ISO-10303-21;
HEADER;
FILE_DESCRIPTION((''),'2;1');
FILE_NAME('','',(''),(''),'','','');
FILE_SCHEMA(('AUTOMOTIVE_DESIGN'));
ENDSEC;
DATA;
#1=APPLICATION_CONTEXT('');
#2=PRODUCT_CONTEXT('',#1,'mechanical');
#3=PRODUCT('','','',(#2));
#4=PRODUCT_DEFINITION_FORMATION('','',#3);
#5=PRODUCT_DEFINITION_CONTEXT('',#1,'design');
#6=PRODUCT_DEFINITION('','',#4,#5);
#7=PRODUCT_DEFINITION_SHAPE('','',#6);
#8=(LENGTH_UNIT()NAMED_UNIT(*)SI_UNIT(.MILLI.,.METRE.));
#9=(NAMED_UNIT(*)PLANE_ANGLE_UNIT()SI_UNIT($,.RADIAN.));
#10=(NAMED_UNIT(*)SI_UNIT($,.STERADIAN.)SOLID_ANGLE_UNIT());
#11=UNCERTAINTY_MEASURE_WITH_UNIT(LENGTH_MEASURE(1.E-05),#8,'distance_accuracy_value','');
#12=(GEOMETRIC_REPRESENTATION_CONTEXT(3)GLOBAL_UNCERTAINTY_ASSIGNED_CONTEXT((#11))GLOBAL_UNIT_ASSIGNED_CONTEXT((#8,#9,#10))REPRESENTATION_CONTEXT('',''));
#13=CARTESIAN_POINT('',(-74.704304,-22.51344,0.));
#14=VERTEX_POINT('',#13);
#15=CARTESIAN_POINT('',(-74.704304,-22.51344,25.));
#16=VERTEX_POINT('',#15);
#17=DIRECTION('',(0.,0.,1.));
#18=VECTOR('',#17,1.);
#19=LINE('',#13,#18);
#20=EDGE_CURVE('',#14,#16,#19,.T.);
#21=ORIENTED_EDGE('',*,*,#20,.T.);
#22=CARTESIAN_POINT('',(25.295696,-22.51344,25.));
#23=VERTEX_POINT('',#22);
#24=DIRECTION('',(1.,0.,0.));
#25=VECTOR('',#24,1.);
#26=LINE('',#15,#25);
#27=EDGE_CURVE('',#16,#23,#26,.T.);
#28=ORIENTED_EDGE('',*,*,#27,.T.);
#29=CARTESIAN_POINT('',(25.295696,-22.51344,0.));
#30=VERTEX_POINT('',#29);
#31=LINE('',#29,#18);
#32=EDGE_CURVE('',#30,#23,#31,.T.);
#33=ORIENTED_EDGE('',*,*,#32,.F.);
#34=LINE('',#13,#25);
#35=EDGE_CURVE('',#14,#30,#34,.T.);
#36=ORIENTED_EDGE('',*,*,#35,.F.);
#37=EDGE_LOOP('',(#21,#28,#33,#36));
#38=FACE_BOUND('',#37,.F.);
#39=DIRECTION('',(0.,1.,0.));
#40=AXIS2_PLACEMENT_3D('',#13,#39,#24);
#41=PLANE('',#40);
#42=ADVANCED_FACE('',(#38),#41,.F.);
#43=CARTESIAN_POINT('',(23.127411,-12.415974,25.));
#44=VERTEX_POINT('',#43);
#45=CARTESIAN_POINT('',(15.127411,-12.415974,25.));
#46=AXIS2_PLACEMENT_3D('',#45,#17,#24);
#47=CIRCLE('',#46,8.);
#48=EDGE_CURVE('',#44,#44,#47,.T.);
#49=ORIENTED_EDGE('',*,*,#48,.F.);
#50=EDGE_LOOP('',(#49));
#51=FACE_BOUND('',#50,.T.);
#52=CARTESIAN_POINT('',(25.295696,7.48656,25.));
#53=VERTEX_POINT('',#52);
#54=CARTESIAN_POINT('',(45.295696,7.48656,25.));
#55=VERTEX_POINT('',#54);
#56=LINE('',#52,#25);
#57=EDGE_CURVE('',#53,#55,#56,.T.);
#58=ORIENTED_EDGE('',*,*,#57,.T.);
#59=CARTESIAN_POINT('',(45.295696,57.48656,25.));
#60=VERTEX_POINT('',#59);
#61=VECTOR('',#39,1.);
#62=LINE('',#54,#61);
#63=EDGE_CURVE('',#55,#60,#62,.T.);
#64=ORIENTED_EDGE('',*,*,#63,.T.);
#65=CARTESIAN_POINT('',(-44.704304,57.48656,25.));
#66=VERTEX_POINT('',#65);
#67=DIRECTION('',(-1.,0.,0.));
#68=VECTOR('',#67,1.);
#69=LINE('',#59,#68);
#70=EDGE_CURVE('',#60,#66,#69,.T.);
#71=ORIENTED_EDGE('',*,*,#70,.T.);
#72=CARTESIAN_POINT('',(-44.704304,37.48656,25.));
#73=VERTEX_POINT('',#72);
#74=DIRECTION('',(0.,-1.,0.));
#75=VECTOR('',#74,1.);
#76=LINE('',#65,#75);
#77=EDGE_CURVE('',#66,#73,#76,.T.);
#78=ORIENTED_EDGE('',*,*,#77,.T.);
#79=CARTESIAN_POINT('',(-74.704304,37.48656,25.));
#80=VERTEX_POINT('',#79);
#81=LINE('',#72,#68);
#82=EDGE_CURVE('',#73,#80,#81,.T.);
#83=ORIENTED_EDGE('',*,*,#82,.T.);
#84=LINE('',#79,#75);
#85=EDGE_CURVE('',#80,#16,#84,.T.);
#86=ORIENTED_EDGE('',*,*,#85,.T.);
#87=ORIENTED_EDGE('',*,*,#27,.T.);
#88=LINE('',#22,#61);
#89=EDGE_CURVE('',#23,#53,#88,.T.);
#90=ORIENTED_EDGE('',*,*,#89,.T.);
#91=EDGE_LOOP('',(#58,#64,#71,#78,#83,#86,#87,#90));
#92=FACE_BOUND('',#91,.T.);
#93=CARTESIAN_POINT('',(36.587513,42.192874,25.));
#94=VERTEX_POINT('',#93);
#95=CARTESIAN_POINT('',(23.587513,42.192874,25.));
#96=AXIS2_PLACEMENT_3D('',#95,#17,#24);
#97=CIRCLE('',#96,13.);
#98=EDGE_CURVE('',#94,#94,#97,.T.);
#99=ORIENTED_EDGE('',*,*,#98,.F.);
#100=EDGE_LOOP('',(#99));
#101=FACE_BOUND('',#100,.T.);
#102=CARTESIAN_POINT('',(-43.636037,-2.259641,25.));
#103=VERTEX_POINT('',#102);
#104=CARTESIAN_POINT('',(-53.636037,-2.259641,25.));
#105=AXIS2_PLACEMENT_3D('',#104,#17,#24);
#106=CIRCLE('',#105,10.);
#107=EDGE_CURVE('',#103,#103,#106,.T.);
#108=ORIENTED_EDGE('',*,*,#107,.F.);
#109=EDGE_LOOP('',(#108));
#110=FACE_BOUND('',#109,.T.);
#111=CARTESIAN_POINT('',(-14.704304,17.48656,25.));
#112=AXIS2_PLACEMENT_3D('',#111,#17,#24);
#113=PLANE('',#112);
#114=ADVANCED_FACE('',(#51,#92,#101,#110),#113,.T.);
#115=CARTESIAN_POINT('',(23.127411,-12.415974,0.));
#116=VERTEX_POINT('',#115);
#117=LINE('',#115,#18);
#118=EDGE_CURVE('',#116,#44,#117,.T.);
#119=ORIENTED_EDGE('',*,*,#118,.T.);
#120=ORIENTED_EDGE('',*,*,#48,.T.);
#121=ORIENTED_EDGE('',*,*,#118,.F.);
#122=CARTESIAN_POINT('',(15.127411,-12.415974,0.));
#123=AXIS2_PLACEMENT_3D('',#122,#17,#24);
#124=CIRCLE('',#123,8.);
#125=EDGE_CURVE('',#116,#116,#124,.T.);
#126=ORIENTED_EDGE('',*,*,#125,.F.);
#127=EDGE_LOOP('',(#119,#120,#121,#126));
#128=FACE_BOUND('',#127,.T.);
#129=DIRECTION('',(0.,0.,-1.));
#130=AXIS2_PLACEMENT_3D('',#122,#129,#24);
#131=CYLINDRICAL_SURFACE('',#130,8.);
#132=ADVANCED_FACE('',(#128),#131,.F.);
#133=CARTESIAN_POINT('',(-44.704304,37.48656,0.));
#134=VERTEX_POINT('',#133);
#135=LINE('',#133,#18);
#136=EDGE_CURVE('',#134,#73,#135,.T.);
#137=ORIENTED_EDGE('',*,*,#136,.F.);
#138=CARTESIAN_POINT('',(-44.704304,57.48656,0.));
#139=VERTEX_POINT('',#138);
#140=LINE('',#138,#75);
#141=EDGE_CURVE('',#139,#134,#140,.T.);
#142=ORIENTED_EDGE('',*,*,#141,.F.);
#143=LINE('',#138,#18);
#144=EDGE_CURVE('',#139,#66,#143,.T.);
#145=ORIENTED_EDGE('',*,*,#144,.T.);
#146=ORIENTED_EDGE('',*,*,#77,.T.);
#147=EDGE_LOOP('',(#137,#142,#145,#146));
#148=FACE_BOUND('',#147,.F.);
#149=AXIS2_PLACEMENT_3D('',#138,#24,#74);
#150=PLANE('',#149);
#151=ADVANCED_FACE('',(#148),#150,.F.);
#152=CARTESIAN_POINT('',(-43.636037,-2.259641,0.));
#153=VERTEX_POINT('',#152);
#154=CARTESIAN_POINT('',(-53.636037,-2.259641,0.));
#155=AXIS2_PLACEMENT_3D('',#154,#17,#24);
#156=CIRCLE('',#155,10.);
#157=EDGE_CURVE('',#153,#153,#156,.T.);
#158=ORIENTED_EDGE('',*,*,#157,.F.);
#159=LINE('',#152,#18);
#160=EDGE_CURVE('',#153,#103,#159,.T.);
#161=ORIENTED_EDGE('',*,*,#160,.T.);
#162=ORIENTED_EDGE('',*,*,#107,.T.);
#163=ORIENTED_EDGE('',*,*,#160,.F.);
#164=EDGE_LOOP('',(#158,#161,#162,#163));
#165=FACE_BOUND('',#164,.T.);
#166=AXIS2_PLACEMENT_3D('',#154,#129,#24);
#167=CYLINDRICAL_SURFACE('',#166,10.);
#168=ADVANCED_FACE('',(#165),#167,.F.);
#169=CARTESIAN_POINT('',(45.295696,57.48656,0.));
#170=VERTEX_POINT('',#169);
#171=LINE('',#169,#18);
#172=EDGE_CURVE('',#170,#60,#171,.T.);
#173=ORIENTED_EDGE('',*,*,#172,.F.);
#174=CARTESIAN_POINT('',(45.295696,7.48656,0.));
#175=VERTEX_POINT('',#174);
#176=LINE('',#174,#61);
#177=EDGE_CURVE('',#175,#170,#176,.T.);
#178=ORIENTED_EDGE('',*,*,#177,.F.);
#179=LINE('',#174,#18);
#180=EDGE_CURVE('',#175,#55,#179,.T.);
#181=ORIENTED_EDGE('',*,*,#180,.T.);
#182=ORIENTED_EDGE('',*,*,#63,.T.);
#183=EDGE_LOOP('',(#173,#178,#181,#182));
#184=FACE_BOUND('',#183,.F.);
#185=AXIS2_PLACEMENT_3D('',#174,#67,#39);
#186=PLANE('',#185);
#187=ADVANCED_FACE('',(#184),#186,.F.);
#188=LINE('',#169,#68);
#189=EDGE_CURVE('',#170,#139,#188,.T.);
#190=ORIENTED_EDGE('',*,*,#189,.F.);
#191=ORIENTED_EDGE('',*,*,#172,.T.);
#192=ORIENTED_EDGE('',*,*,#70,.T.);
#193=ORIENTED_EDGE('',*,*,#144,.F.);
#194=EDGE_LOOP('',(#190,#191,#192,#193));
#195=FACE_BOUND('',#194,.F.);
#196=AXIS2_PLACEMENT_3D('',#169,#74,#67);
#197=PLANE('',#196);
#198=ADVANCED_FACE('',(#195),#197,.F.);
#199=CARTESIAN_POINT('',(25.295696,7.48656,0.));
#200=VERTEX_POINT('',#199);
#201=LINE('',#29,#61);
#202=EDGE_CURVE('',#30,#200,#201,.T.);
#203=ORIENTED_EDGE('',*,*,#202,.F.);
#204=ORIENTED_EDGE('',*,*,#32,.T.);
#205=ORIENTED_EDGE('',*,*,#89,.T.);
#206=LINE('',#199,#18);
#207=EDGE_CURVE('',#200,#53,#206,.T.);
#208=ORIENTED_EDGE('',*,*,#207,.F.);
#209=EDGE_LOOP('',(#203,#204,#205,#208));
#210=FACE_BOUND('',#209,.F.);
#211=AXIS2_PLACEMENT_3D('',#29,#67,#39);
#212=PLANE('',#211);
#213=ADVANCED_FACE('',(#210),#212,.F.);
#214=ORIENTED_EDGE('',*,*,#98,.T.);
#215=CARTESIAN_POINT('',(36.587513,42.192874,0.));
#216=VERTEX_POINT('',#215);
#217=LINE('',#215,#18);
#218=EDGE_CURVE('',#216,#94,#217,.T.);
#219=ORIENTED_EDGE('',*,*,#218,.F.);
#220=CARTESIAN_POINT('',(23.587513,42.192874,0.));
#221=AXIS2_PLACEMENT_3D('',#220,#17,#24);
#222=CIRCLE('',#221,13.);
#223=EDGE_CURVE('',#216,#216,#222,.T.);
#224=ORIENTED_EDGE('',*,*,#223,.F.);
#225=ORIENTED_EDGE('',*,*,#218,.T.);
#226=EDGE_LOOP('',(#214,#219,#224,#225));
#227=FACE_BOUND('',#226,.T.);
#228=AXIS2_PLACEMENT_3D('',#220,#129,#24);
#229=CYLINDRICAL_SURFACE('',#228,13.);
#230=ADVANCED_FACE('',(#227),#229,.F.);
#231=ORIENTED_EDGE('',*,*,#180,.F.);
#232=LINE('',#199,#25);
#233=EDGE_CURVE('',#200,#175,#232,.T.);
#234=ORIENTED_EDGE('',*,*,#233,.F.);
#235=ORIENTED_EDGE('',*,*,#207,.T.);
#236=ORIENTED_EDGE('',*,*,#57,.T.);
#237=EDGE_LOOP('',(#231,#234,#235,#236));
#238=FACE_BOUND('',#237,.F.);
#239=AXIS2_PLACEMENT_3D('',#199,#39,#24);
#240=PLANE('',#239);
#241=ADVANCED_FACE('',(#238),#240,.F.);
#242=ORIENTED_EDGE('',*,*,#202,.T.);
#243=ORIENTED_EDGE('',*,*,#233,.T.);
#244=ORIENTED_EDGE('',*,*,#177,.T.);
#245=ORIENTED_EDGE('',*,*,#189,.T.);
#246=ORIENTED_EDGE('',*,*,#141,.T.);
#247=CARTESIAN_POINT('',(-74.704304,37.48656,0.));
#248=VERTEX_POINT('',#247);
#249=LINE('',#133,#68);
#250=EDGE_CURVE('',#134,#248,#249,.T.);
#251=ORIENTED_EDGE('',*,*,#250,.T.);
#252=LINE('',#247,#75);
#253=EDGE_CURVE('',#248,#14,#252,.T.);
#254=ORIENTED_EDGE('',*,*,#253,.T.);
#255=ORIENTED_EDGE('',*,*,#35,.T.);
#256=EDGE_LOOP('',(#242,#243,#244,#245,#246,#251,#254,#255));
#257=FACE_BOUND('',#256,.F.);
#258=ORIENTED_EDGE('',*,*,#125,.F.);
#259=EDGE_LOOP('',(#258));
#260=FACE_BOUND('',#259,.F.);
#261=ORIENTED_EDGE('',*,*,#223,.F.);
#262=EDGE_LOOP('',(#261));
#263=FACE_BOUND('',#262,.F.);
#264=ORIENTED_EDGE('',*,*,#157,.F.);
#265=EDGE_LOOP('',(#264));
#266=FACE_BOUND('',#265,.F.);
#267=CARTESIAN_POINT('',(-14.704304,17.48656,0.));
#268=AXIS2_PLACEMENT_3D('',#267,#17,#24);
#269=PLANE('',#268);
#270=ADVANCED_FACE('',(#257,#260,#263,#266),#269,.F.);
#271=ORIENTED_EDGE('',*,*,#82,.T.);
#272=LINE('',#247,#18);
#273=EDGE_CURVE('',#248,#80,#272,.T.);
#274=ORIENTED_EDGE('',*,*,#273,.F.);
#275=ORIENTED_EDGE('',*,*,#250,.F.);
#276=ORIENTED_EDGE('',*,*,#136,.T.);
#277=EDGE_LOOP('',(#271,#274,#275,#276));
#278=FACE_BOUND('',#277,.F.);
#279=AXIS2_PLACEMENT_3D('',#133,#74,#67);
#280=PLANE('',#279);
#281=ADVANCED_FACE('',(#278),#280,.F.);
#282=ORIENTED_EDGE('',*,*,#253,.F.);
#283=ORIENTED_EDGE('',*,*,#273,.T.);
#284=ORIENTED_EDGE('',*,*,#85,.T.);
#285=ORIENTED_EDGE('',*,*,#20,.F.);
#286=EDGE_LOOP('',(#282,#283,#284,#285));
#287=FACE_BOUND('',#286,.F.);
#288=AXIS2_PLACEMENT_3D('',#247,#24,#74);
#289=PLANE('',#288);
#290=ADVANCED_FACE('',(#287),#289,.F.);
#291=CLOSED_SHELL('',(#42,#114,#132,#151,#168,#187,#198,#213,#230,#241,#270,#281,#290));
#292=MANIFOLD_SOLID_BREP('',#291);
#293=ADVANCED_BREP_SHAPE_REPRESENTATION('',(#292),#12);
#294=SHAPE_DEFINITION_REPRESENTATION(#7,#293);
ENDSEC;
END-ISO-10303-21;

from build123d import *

# Parameters (mm, degrees)
F0_R     = 10
F0_R_2   = 8
F0_R_3   = 13
F1_DEPTH = 25


with BuildPart() as f1:
    # F0 (on Top) → F1 (new body)
    with BuildSketch(Plane.XY):
        Polygon((45.295696, 57.48656), (-44.704304, 57.48656), (-44.704304, 37.48656), (-74.704304, 37.48656), (-74.704304, -22.51344), (25.295696, -22.51344), (25.295696, 7.48656), (45.295696, 7.48656), align=None)
        with Locations((-53.636037, -2.259641)):
            Circle(F0_R, mode=Mode.SUBTRACT)
        with Locations((15.127411, -12.415974)):
            Circle(F0_R_2, mode=Mode.SUBTRACT)
        with Locations((23.587513, 42.192874)):
            Circle(F0_R_3, mode=Mode.SUBTRACT)
    extrude(amount=F1_DEPTH)


solid = f1.part
